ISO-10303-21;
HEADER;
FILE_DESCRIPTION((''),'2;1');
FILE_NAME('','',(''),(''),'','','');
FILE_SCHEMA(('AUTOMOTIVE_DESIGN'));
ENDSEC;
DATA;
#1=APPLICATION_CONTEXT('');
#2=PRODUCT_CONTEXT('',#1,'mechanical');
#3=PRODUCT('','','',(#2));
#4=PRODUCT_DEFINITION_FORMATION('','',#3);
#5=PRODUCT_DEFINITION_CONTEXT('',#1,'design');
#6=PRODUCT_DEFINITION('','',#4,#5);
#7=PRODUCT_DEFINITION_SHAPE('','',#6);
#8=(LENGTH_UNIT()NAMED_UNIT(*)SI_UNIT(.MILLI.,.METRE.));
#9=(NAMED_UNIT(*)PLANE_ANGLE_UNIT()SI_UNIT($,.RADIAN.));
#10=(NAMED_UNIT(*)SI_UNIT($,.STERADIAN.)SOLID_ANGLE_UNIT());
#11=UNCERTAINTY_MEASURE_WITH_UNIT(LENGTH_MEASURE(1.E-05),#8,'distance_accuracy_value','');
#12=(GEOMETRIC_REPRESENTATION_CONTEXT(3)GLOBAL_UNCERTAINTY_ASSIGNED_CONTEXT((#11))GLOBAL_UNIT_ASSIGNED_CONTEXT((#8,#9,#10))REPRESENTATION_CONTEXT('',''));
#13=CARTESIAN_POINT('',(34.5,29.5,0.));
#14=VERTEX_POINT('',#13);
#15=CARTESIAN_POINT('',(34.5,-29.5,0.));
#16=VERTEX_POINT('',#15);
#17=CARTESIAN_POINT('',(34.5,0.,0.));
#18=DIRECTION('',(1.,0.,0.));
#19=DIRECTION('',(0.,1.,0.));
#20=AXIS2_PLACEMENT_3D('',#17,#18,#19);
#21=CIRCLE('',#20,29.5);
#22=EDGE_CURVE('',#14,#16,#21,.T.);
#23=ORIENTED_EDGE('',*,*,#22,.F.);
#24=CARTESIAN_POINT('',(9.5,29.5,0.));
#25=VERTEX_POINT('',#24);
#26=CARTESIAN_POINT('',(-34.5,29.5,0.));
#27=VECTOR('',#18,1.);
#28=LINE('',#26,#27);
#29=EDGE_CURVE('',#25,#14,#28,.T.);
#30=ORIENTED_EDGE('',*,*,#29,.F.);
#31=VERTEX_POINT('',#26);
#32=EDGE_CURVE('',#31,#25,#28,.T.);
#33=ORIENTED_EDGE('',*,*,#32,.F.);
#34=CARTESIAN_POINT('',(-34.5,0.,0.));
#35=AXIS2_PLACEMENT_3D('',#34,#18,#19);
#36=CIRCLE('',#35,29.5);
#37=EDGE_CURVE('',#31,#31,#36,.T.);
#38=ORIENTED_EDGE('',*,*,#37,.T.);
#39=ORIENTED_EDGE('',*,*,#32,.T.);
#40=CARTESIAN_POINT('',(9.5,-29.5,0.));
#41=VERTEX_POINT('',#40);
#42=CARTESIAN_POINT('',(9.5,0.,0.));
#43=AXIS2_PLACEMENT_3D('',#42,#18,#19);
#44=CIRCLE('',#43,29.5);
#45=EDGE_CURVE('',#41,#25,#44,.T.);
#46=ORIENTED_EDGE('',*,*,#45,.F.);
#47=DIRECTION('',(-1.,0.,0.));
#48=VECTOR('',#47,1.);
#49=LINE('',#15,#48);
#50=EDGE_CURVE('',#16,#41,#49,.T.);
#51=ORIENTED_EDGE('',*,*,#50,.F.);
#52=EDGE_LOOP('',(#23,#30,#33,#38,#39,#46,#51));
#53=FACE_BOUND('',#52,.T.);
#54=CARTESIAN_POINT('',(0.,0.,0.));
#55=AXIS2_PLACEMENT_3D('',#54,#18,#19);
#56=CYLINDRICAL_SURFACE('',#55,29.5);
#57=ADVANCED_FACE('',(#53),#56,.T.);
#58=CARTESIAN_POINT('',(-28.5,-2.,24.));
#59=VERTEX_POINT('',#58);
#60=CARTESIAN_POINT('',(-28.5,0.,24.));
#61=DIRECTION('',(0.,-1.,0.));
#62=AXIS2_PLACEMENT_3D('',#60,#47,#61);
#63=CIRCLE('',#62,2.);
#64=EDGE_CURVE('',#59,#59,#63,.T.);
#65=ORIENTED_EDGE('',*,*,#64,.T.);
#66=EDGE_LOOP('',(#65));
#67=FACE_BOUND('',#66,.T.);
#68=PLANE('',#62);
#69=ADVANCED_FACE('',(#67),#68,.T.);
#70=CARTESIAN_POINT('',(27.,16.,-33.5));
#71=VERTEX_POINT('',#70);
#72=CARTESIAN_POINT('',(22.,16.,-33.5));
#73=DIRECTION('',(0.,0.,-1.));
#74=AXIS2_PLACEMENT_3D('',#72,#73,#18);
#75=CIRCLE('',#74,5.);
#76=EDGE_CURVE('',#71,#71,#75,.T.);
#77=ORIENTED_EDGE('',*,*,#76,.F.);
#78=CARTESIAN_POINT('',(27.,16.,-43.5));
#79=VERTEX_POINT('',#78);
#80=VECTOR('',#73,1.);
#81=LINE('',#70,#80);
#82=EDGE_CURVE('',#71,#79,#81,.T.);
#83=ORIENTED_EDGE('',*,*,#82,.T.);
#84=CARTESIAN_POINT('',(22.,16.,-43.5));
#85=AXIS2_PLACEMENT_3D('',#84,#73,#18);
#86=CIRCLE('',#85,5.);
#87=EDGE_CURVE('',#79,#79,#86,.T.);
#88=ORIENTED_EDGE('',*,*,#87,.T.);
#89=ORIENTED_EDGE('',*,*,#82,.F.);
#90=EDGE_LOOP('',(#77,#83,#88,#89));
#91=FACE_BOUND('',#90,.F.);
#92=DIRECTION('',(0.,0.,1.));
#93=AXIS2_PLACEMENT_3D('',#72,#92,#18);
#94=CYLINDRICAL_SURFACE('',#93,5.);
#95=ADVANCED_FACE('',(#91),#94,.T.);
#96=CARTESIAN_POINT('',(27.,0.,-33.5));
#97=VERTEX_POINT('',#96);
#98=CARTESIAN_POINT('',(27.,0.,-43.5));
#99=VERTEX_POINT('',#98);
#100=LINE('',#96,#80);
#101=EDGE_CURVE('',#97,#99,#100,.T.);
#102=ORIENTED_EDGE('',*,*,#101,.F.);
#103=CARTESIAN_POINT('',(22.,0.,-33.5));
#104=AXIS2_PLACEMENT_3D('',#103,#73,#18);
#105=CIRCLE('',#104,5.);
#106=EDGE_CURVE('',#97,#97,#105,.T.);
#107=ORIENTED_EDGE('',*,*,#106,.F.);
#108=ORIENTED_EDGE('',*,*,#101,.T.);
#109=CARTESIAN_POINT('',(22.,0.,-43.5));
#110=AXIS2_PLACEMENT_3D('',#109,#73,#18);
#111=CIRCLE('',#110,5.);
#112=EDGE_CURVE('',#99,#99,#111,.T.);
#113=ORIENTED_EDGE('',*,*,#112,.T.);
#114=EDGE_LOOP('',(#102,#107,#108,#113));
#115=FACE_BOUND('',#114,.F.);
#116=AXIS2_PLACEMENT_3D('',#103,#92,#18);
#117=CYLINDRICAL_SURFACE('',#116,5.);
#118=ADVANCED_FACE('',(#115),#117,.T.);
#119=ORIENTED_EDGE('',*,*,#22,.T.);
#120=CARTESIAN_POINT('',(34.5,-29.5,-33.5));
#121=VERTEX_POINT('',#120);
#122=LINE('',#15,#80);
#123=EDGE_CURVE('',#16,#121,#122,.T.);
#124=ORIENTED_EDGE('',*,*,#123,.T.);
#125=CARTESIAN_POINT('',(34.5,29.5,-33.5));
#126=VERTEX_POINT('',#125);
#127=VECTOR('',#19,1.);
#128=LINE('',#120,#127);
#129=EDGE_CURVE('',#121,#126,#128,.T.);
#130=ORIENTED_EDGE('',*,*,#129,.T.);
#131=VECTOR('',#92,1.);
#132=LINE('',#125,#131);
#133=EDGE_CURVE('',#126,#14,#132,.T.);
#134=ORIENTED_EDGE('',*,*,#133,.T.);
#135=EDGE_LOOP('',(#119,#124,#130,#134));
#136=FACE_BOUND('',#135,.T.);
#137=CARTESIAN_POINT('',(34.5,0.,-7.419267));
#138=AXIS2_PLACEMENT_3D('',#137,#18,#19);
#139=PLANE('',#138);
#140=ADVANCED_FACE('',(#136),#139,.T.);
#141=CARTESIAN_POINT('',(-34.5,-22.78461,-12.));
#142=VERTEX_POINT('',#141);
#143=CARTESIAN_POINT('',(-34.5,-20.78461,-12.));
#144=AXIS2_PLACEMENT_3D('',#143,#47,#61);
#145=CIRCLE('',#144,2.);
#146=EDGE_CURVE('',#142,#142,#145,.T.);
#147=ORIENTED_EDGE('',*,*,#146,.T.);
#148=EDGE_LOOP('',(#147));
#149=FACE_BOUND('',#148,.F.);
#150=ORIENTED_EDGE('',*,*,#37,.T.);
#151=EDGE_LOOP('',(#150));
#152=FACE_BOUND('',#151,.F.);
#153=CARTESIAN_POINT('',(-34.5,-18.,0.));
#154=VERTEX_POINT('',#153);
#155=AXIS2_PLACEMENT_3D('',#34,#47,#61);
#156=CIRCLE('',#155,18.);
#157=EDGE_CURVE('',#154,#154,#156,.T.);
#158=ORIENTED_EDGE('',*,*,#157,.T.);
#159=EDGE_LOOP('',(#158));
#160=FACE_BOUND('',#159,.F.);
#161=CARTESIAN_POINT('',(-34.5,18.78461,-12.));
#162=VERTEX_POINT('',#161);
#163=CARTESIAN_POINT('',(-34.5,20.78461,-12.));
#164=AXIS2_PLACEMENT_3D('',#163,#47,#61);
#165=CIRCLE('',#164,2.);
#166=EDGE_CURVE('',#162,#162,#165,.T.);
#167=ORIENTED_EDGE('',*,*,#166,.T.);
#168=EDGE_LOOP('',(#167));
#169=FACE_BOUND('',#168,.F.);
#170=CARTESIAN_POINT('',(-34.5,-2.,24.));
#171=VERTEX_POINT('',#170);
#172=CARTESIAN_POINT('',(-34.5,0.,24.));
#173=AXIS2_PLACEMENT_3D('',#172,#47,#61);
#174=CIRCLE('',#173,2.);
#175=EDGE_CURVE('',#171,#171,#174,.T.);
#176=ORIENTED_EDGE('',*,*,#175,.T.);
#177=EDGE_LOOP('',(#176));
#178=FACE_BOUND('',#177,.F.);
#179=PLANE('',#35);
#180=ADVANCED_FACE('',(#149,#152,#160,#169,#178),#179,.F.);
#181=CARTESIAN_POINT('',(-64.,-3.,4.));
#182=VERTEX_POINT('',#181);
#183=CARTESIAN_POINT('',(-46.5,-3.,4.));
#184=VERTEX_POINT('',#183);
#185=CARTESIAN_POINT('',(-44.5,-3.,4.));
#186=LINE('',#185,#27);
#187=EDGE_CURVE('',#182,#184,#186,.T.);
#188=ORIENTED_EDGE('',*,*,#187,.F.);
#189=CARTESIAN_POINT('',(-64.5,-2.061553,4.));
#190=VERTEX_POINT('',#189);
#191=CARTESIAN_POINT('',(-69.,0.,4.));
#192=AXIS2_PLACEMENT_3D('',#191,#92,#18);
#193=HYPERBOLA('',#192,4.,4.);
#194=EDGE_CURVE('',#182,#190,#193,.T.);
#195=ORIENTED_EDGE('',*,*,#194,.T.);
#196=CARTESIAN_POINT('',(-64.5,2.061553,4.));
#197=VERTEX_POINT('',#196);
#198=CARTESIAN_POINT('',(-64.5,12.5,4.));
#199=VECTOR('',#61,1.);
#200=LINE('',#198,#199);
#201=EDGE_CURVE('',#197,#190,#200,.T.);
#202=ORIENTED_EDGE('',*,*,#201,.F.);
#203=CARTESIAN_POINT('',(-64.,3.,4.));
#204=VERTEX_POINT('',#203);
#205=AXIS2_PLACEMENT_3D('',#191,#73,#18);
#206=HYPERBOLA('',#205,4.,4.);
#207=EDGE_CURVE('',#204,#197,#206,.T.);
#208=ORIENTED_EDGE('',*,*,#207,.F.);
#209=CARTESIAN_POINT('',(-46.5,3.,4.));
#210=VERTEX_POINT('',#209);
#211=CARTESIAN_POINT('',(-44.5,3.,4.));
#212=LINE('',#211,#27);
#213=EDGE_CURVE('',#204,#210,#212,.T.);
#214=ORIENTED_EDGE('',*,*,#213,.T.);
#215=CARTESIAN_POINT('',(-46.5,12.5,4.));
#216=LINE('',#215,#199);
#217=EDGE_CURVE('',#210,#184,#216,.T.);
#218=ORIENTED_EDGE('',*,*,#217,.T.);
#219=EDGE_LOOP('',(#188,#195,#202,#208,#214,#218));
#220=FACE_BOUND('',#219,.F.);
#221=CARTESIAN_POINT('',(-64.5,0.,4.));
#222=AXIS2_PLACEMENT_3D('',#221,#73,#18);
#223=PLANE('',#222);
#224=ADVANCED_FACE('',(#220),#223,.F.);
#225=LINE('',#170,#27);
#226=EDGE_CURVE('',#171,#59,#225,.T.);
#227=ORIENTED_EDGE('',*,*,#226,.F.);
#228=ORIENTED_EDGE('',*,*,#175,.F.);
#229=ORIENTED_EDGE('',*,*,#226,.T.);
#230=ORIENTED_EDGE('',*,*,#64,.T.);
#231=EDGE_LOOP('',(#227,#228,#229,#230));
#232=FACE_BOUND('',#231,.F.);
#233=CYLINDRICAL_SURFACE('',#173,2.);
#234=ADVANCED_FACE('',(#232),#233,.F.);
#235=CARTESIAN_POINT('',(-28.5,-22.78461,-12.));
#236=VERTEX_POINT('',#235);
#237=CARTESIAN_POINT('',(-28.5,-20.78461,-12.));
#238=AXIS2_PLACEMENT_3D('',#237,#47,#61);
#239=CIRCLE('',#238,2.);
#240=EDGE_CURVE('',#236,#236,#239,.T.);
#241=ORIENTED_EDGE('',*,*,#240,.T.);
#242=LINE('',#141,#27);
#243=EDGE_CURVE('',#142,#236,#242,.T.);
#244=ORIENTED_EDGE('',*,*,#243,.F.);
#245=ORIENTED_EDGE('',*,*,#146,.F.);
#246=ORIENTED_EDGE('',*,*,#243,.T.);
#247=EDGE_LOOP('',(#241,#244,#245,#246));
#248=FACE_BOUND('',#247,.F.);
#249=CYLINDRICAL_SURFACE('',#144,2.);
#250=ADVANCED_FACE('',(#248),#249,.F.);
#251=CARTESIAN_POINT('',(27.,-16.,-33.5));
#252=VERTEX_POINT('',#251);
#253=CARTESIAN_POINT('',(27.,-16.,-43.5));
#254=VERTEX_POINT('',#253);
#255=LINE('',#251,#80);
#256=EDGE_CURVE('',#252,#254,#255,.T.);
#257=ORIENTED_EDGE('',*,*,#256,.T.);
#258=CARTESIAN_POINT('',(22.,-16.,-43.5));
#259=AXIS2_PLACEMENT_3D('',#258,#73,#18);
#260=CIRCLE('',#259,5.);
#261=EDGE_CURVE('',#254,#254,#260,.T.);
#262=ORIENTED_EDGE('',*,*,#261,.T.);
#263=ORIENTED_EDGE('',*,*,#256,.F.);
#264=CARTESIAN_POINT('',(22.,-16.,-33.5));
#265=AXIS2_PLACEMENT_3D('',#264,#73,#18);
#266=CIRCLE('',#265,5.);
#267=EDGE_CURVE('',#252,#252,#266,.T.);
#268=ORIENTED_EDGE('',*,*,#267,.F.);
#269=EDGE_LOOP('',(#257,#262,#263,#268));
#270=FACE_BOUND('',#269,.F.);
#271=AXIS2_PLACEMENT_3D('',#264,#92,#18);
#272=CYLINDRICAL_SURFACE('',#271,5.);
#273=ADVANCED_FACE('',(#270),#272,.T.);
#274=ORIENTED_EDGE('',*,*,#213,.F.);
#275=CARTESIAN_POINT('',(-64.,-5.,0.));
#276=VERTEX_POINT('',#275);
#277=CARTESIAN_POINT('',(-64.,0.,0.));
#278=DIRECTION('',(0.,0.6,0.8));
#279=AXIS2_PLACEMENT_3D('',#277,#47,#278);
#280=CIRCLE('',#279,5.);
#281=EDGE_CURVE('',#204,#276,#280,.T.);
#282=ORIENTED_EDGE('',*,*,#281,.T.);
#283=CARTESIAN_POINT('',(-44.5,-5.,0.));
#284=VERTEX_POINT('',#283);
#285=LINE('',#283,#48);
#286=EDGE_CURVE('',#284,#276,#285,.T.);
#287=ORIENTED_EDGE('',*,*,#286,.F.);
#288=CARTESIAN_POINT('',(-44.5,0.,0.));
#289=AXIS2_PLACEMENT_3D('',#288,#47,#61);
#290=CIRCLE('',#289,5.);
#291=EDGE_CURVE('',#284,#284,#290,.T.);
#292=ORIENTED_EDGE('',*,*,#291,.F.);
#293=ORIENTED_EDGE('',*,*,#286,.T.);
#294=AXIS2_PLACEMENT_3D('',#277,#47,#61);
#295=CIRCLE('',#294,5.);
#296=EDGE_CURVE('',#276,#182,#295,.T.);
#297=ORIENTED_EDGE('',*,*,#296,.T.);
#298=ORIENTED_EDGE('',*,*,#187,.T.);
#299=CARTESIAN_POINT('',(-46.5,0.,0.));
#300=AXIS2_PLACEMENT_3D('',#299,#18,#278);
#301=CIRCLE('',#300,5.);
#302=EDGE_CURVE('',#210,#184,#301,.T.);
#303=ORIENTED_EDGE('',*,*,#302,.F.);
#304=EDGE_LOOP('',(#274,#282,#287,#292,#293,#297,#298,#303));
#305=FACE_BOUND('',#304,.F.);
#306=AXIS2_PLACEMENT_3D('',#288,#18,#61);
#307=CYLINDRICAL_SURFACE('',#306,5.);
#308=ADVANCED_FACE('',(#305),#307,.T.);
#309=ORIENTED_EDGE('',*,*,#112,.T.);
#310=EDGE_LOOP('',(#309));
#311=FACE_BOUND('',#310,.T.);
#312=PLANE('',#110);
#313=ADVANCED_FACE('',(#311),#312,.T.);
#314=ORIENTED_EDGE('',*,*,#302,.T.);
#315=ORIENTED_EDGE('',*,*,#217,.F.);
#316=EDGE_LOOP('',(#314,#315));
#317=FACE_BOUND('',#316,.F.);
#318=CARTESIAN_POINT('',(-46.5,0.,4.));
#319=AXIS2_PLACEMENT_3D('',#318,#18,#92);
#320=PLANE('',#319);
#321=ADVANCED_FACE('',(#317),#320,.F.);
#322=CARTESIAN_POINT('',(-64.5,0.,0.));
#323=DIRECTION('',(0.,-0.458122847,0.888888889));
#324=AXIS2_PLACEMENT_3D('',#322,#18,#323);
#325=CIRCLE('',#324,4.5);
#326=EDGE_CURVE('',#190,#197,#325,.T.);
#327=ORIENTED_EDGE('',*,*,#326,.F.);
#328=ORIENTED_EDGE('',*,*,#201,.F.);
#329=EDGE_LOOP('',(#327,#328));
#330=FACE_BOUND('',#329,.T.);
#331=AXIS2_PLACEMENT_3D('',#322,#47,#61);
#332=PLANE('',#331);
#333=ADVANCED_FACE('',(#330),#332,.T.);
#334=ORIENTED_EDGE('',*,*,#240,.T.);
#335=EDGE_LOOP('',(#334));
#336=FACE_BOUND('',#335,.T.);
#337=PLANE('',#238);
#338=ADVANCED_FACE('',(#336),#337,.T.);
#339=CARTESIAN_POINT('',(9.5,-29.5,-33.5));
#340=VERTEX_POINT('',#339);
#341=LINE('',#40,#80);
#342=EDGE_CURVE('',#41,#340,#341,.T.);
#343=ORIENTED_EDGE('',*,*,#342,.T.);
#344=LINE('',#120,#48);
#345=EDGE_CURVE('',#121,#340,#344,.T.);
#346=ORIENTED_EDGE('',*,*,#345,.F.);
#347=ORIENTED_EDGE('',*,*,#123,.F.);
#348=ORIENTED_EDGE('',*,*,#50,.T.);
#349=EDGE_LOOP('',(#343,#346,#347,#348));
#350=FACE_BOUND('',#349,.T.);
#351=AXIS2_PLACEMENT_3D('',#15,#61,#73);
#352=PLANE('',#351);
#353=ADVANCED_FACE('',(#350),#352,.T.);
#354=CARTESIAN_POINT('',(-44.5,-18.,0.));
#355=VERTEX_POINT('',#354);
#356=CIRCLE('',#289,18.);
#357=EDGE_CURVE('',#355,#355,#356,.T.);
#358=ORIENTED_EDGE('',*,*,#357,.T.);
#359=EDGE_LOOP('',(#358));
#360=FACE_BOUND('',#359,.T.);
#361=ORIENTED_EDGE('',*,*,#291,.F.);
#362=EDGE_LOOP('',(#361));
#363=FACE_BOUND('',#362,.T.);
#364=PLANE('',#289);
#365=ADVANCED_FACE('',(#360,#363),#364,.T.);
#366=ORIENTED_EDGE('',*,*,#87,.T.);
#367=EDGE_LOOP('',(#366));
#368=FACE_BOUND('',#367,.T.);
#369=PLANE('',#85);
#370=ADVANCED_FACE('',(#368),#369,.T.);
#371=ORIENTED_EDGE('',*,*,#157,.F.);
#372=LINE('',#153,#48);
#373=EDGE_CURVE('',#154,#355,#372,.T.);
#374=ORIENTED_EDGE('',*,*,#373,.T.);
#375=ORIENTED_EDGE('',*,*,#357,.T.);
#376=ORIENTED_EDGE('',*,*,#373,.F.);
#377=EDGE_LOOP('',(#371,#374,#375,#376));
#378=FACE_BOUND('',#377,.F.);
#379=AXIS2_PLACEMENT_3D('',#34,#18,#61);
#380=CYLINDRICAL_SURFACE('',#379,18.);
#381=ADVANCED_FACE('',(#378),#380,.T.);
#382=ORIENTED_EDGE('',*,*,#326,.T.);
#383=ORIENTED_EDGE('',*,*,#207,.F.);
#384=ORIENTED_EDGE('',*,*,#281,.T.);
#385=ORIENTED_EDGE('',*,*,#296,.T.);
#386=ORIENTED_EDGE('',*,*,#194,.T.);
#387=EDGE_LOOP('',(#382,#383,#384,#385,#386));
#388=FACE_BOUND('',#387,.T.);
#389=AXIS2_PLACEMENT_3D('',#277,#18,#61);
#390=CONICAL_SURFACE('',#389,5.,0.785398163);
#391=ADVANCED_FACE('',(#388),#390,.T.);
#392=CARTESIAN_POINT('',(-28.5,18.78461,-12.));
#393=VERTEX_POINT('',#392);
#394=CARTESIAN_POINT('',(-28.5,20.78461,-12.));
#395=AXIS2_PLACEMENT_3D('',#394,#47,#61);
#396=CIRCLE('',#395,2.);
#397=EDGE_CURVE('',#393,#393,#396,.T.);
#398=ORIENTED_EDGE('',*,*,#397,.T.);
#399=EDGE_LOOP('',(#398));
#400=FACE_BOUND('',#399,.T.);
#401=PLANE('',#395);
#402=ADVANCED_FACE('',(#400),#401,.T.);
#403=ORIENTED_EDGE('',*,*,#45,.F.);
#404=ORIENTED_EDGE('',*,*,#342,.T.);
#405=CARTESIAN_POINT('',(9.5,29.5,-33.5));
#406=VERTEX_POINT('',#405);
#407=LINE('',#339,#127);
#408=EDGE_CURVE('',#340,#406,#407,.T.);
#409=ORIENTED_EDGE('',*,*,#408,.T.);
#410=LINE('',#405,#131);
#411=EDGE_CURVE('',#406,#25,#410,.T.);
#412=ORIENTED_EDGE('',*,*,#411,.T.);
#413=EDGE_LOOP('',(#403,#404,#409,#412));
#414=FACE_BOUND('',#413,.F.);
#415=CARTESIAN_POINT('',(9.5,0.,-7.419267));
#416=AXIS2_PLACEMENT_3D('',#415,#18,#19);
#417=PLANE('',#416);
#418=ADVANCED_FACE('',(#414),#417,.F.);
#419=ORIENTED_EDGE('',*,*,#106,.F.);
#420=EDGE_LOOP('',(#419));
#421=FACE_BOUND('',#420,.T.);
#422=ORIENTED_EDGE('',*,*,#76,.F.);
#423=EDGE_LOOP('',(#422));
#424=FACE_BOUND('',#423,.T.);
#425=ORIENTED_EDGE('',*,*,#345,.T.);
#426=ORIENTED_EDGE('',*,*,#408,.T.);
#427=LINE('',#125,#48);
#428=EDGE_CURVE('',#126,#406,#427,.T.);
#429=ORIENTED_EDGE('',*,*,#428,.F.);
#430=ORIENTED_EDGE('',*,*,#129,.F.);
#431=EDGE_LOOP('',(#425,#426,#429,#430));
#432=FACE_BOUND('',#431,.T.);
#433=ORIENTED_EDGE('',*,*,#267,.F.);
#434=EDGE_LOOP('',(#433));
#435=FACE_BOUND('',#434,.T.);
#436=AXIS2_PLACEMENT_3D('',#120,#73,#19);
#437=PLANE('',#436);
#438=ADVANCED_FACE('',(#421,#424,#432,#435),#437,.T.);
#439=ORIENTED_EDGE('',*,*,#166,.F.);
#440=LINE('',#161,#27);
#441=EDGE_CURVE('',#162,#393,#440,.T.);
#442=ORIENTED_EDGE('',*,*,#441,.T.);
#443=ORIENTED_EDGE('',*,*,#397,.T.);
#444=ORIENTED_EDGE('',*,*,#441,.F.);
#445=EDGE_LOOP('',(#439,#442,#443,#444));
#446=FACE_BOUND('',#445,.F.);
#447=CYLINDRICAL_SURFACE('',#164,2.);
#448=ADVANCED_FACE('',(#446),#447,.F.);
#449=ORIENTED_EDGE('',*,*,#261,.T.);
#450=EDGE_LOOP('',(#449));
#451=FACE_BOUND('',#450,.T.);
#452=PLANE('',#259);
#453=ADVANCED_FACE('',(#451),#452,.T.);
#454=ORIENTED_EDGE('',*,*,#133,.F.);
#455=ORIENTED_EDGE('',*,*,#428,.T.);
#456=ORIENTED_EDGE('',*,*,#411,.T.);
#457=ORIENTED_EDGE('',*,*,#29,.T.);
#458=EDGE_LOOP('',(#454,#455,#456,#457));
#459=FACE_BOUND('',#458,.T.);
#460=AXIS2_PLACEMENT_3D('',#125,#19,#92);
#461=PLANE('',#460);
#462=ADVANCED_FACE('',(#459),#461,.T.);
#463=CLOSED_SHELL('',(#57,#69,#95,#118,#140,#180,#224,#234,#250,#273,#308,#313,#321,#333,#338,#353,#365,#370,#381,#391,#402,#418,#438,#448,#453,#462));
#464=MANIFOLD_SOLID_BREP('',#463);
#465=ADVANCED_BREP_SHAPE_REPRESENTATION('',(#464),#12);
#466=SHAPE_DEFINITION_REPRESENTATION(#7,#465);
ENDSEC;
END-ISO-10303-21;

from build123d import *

# Parameters (mm, degrees)
F0_R      = 29.5
F1_DEPTH  = 34.5
F2_R      = 18
F3_DEPTH  = 10
F4_R      = 5
F5_DEPTH  = 20
F7_DEPTH  = 25
F8_R      = 5
F9_DEPTH  = 10
F10_R     = 2
F11_DEPTH = 6
F12_W     = 18
F12_H     = 1
F13_DEPTH = 12.5
F14_SIZE  = 0.5


with BuildPart() as f1:
    # F0 (on Right) → F1 (new body, symmetric)
    with BuildSketch(Plane.YZ):
        Circle(F0_R)
    extrude(amount=F1_DEPTH, both=True)

    # F2 (on face) → F3 (join)
    with BuildSketch(Plane(origin=(-34.5, 0, 0), x_dir=(0, -1, 0), z_dir=(-1, 0, 0))):
        Circle(F2_R)
    extrude(amount=F3_DEPTH)

    # F4 (on face) → F5 (join)
    with BuildSketch(Plane(origin=(-44.5, 0, 0), x_dir=(0, -1, 0), z_dir=(-1, 0, 0))):
        Circle(F4_R)
    extrude(amount=F5_DEPTH)

    # F6 (on face) → F7 (join)
    with BuildSketch(Plane.YZ.offset(34.5)):
        with BuildLine():
            Line((29.5, -33.5), (29.5, 0))
            ThreePointArc((29.5, 0), (0, 29.5), (-29.5, 0))
            Line((-29.5, 0), (-29.5, -33.5))
            Line((-29.5, -33.5), (29.5, -33.5))
        make_face()
    extrude(amount=-F7_DEPTH)

    # F8 (on face) → F9 (join)
    with BuildSketch(Plane(origin=(0, 0, -33.5), x_dir=(1, 0, 0), z_dir=(0, 0, -1))):
        with Locations((22, 16)):
            Circle(F8_R)
        with Locations((22, 0)):
            Circle(F8_R)
        with Locations((22, -16)):
            Circle(F8_R)
    extrude(amount=F9_DEPTH)

    # F10 (on face) → F11 (cut)
    with BuildSketch(Plane(origin=(-34.5, 0, 0), x_dir=(0, -1, 0), z_dir=(-1, 0, 0))):
        with Locations((-20.78461, -12)):
            Circle(F10_R)
        with Locations((0, 24)):
            Circle(F10_R)
        with Locations((20.78461, -12)):
            Circle(F10_R)
    extrude(amount=-F11_DEPTH, mode=Mode.SUBTRACT)

    # F12 (on Front) → F13 (cut, symmetric)
    with BuildSketch(Plane.XZ):
        with Locations((-55.5, 4.5)):
            Rectangle(F12_W, F12_H)
    extrude(amount=F13_DEPTH, both=True, mode=Mode.SUBTRACT)

    # F14
    f14_edges = [f1.edges().sort_by_distance(p)[0] for p in [
        (-64.5, 2.236068, -4.472136),
    ]]
    chamfer(f14_edges, length=F14_SIZE)


solid = f1.part
